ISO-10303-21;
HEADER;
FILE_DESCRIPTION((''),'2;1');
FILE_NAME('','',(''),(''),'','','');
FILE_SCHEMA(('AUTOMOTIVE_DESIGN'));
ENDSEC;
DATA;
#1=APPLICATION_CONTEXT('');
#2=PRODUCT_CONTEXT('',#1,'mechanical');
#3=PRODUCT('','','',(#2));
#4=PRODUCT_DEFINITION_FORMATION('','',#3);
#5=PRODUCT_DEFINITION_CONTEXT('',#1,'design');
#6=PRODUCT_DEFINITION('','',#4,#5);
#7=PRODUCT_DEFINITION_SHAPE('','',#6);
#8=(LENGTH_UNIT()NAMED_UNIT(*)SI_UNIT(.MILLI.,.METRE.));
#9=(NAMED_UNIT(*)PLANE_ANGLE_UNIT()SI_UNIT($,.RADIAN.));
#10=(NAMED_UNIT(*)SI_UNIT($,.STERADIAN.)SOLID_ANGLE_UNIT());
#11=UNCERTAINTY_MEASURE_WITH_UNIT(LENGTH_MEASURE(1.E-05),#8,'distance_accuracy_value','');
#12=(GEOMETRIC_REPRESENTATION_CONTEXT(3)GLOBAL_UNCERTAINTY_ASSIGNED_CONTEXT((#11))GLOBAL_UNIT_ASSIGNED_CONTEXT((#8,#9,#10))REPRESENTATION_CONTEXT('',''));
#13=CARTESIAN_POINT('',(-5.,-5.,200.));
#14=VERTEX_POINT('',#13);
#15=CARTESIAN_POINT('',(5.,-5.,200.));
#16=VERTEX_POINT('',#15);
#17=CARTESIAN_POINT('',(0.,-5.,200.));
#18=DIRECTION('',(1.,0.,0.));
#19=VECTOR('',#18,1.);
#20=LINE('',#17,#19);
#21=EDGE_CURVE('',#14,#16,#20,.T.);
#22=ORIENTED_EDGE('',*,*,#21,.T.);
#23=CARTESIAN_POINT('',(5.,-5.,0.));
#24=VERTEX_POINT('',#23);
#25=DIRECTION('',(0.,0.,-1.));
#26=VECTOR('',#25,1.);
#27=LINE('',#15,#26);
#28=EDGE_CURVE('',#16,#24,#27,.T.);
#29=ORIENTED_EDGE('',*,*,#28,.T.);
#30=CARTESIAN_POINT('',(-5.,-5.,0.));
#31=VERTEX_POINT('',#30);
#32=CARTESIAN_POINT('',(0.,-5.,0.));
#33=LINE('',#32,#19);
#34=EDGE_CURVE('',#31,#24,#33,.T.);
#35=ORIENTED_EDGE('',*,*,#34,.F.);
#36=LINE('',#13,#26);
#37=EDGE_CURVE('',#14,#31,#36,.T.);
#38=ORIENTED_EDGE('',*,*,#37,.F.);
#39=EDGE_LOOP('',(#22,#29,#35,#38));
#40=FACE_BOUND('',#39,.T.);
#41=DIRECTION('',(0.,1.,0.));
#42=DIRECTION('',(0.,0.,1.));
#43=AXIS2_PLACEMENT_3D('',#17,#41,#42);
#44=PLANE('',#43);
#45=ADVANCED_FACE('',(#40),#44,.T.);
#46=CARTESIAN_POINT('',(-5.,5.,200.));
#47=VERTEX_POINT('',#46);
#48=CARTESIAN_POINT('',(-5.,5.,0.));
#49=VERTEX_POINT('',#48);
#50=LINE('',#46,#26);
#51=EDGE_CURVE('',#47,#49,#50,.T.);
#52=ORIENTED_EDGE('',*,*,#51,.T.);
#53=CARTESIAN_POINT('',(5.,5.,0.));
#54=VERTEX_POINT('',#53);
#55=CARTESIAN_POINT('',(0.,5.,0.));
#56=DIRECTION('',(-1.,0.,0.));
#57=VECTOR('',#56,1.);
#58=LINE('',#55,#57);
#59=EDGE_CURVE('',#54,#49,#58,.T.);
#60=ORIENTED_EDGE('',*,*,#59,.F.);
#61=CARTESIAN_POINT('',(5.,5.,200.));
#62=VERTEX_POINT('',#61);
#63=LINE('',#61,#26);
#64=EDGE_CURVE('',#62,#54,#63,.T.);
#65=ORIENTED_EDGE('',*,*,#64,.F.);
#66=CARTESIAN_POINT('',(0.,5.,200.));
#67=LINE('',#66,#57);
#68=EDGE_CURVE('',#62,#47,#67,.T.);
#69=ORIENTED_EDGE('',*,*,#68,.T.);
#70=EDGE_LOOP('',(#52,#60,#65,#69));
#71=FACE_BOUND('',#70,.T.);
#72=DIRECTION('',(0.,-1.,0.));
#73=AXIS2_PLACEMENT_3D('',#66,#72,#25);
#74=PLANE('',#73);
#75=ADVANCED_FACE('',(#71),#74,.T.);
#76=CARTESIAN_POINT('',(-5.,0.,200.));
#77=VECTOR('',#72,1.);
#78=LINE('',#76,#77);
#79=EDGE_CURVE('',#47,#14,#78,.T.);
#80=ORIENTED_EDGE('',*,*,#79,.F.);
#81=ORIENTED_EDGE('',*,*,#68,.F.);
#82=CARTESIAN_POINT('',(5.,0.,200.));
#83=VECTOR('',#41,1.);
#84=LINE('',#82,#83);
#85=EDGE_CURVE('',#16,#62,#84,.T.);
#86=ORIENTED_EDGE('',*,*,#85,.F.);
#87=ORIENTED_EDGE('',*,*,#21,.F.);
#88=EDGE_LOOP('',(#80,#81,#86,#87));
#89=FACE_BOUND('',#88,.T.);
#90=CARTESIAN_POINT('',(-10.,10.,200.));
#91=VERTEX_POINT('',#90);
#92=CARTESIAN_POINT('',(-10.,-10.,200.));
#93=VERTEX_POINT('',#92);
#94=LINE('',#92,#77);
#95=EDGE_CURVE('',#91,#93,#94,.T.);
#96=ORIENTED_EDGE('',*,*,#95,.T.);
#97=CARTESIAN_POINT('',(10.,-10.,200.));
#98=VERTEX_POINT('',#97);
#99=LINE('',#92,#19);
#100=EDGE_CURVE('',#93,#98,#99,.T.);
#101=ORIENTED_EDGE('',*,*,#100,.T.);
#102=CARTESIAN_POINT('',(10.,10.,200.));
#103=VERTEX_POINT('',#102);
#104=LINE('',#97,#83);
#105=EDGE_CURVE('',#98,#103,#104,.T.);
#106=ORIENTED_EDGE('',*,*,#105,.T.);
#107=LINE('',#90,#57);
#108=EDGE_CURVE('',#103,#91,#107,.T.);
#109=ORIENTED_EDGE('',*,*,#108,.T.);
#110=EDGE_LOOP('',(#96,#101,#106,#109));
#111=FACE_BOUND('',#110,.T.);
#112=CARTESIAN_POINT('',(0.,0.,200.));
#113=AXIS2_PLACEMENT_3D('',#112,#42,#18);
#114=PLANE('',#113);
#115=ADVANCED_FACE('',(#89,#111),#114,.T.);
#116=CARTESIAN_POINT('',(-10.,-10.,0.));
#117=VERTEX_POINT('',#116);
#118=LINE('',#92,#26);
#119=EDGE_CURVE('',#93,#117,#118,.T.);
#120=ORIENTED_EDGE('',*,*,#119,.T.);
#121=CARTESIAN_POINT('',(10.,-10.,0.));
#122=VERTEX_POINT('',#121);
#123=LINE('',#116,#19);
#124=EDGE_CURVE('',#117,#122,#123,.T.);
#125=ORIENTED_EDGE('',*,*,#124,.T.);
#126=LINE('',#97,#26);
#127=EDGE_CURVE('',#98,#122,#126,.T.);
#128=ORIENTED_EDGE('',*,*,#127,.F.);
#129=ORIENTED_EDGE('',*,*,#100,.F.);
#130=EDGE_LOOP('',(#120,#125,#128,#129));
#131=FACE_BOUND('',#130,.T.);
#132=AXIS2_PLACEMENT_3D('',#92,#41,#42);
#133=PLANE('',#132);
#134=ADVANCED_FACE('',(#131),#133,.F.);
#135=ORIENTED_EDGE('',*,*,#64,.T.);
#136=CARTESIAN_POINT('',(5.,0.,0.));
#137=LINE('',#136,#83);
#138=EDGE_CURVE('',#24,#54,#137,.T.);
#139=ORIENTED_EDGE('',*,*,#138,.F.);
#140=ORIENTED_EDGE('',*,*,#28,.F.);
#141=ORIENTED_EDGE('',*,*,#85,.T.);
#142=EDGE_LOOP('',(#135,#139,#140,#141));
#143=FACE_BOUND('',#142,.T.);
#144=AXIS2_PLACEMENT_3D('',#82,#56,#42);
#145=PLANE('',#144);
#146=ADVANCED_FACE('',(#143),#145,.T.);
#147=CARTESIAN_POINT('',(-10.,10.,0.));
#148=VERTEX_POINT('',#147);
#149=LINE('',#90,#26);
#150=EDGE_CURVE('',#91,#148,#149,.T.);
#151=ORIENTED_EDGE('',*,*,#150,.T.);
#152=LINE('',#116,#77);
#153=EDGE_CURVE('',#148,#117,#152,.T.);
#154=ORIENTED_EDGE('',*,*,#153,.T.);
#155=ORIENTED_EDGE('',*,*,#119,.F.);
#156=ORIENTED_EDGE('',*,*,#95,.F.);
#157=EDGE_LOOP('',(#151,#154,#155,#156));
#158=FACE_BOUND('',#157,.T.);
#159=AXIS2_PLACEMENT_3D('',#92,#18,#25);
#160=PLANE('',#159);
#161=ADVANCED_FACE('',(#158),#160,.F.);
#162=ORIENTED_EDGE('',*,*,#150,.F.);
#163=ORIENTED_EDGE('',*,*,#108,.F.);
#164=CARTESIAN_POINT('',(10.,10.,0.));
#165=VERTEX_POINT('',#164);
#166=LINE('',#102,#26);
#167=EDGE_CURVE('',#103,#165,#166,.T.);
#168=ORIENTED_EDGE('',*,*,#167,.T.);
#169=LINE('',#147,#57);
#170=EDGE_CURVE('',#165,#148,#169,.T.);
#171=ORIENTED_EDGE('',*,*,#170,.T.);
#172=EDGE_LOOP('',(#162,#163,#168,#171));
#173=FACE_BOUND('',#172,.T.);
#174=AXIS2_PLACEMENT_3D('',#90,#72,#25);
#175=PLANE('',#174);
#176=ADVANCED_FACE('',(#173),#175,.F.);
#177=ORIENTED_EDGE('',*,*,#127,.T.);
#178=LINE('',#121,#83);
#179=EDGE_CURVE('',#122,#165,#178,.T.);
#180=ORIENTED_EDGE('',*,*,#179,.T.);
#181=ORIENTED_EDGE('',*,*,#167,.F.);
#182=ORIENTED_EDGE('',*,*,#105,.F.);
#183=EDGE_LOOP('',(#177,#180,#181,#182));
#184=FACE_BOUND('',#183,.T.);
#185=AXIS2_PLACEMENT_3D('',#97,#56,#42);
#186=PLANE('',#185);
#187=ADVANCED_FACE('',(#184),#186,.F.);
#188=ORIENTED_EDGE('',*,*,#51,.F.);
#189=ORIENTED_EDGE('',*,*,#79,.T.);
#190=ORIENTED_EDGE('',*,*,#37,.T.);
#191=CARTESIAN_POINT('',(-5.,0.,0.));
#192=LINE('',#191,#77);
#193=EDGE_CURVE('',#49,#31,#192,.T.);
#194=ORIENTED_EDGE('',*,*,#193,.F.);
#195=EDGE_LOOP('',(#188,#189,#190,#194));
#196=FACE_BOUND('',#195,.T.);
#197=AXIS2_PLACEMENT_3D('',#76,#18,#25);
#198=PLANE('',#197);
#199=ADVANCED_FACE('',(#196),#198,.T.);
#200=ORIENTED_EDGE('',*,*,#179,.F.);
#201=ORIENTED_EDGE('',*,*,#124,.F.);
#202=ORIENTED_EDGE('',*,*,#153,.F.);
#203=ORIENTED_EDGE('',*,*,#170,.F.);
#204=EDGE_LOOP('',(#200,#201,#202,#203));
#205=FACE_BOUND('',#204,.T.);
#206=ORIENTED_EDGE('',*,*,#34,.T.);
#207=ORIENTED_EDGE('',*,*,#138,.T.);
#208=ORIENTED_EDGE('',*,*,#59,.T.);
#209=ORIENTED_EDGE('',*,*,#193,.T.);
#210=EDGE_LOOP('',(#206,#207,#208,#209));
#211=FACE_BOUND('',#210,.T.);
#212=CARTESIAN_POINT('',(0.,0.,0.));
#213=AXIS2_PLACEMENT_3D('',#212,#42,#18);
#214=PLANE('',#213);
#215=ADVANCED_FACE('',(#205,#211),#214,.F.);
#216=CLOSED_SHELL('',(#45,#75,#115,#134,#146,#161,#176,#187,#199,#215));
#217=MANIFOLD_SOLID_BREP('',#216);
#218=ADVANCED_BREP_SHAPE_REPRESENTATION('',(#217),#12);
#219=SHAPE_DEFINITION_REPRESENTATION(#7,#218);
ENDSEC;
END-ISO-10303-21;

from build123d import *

# Parameters (mm, degrees)
SKETCH1_W           = 20
SKETCH1_H           = 20
SKETCH1_W_2         = 10
SKETCH1_H_2         = 10
EXTRUDE_THIN1_DEPTH = 200


with BuildPart() as part:
    # Sketch1 → Extrude-Thin1 (new body)
    with BuildSketch(Plane.XY):
        Rectangle(SKETCH1_W, SKETCH1_H)
        Rectangle(SKETCH1_W_2, SKETCH1_H_2, mode=Mode.SUBTRACT)
    extrude(amount=EXTRUDE_THIN1_DEPTH)


solid = part.part
